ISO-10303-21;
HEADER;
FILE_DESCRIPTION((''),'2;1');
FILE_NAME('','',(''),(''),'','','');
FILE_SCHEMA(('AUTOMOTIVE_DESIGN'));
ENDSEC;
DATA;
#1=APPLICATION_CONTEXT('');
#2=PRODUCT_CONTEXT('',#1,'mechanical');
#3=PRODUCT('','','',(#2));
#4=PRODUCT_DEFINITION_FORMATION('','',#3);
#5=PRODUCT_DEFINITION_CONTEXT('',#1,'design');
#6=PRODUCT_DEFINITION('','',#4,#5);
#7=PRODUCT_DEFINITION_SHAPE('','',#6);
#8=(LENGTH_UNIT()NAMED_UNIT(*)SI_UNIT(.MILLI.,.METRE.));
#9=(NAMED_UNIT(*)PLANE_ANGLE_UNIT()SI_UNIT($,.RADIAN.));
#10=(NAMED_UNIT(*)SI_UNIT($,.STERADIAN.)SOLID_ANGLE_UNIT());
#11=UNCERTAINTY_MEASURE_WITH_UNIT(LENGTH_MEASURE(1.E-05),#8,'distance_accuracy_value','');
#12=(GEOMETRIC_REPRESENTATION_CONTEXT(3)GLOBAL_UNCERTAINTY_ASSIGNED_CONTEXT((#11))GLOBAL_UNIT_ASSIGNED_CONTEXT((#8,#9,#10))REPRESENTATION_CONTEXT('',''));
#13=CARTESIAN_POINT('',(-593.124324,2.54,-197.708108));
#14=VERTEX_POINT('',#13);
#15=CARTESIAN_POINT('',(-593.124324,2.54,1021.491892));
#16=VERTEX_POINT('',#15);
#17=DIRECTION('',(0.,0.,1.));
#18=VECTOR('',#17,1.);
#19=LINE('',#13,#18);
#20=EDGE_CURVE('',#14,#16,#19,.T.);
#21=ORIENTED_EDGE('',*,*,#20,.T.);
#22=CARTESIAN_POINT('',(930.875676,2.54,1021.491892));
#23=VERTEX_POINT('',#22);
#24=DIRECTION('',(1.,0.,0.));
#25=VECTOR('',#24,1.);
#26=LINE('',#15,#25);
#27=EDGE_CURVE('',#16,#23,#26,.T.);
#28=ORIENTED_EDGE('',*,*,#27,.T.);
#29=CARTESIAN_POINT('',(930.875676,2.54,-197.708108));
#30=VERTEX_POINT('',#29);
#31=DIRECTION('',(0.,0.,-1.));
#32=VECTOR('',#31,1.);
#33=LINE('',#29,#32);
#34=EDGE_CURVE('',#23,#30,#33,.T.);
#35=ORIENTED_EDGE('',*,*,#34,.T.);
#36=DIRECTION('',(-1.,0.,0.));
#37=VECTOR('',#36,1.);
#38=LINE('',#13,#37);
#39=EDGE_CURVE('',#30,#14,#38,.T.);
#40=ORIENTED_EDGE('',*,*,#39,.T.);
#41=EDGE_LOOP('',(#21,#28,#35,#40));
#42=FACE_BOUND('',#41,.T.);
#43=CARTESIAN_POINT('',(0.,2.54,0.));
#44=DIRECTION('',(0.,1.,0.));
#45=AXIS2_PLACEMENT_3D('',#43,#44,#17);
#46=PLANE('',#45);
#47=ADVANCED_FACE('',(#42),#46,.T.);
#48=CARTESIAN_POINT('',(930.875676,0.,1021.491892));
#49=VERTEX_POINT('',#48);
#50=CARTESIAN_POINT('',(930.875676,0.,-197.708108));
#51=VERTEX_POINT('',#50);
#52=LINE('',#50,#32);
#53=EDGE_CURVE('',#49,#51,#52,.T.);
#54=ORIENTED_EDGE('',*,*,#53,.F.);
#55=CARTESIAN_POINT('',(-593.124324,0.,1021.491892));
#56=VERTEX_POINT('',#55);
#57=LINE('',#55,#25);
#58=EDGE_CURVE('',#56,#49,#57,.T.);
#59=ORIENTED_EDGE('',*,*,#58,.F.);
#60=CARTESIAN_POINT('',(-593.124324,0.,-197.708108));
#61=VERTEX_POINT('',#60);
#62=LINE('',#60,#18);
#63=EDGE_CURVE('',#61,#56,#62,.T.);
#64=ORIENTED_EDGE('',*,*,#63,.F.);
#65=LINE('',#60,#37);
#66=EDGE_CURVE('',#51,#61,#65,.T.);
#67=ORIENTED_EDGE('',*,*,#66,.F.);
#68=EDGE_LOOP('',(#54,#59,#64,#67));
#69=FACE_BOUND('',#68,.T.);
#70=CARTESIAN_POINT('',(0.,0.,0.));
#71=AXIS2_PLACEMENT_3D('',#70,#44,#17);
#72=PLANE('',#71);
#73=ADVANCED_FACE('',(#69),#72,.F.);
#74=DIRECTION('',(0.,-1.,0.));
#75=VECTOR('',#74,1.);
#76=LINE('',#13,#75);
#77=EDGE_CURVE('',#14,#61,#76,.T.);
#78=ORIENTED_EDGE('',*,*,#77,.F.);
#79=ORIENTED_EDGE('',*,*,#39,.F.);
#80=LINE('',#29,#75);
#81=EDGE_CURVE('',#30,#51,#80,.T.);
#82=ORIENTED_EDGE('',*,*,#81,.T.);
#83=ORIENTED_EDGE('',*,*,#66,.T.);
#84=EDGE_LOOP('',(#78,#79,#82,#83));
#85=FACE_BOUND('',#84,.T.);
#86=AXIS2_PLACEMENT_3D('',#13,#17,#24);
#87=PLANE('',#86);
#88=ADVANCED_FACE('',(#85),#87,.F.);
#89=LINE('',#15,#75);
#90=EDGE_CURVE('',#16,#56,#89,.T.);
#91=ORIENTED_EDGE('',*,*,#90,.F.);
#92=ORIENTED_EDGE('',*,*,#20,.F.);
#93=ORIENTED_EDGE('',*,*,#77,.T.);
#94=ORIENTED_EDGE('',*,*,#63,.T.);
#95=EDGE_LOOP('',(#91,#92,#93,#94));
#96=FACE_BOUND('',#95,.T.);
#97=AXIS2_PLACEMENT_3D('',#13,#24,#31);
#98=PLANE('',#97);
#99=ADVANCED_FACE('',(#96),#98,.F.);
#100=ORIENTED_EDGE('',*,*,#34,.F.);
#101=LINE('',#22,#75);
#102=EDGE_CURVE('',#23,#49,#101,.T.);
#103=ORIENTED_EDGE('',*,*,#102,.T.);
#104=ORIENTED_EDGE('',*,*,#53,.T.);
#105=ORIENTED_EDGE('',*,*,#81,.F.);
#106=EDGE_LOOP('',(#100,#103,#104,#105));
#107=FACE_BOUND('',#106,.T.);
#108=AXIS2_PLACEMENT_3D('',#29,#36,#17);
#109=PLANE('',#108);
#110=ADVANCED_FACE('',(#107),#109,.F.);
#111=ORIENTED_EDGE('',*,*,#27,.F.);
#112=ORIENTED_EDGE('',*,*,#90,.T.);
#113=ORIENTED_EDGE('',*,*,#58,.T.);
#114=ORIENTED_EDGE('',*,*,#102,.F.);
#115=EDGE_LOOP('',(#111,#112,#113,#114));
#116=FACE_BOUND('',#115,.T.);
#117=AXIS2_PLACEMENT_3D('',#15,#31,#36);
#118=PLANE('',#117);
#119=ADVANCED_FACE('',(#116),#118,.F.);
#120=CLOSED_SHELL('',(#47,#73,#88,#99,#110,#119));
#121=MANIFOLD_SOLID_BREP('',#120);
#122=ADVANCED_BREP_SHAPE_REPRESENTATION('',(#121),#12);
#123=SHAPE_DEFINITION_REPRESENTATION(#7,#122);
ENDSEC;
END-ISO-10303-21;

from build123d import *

# Parameters (mm, degrees)
SKETCH1_W           = 1524
SKETCH1_H           = 1219.2
BOSS_EXTRUDE1_DEPTH = 2.54


with BuildPart() as part:
    # Sketch1 → Boss-Extrude1 (new body)
    with BuildSketch(Plane(origin=(0, 0, 0), x_dir=(1, 0, 0), z_dir=(0, 1, 0))):
        with Locations((168.875675676, -411.891891892)):
            Rectangle(SKETCH1_W, SKETCH1_H)
    extrude(amount=BOSS_EXTRUDE1_DEPTH)


solid = part.part
